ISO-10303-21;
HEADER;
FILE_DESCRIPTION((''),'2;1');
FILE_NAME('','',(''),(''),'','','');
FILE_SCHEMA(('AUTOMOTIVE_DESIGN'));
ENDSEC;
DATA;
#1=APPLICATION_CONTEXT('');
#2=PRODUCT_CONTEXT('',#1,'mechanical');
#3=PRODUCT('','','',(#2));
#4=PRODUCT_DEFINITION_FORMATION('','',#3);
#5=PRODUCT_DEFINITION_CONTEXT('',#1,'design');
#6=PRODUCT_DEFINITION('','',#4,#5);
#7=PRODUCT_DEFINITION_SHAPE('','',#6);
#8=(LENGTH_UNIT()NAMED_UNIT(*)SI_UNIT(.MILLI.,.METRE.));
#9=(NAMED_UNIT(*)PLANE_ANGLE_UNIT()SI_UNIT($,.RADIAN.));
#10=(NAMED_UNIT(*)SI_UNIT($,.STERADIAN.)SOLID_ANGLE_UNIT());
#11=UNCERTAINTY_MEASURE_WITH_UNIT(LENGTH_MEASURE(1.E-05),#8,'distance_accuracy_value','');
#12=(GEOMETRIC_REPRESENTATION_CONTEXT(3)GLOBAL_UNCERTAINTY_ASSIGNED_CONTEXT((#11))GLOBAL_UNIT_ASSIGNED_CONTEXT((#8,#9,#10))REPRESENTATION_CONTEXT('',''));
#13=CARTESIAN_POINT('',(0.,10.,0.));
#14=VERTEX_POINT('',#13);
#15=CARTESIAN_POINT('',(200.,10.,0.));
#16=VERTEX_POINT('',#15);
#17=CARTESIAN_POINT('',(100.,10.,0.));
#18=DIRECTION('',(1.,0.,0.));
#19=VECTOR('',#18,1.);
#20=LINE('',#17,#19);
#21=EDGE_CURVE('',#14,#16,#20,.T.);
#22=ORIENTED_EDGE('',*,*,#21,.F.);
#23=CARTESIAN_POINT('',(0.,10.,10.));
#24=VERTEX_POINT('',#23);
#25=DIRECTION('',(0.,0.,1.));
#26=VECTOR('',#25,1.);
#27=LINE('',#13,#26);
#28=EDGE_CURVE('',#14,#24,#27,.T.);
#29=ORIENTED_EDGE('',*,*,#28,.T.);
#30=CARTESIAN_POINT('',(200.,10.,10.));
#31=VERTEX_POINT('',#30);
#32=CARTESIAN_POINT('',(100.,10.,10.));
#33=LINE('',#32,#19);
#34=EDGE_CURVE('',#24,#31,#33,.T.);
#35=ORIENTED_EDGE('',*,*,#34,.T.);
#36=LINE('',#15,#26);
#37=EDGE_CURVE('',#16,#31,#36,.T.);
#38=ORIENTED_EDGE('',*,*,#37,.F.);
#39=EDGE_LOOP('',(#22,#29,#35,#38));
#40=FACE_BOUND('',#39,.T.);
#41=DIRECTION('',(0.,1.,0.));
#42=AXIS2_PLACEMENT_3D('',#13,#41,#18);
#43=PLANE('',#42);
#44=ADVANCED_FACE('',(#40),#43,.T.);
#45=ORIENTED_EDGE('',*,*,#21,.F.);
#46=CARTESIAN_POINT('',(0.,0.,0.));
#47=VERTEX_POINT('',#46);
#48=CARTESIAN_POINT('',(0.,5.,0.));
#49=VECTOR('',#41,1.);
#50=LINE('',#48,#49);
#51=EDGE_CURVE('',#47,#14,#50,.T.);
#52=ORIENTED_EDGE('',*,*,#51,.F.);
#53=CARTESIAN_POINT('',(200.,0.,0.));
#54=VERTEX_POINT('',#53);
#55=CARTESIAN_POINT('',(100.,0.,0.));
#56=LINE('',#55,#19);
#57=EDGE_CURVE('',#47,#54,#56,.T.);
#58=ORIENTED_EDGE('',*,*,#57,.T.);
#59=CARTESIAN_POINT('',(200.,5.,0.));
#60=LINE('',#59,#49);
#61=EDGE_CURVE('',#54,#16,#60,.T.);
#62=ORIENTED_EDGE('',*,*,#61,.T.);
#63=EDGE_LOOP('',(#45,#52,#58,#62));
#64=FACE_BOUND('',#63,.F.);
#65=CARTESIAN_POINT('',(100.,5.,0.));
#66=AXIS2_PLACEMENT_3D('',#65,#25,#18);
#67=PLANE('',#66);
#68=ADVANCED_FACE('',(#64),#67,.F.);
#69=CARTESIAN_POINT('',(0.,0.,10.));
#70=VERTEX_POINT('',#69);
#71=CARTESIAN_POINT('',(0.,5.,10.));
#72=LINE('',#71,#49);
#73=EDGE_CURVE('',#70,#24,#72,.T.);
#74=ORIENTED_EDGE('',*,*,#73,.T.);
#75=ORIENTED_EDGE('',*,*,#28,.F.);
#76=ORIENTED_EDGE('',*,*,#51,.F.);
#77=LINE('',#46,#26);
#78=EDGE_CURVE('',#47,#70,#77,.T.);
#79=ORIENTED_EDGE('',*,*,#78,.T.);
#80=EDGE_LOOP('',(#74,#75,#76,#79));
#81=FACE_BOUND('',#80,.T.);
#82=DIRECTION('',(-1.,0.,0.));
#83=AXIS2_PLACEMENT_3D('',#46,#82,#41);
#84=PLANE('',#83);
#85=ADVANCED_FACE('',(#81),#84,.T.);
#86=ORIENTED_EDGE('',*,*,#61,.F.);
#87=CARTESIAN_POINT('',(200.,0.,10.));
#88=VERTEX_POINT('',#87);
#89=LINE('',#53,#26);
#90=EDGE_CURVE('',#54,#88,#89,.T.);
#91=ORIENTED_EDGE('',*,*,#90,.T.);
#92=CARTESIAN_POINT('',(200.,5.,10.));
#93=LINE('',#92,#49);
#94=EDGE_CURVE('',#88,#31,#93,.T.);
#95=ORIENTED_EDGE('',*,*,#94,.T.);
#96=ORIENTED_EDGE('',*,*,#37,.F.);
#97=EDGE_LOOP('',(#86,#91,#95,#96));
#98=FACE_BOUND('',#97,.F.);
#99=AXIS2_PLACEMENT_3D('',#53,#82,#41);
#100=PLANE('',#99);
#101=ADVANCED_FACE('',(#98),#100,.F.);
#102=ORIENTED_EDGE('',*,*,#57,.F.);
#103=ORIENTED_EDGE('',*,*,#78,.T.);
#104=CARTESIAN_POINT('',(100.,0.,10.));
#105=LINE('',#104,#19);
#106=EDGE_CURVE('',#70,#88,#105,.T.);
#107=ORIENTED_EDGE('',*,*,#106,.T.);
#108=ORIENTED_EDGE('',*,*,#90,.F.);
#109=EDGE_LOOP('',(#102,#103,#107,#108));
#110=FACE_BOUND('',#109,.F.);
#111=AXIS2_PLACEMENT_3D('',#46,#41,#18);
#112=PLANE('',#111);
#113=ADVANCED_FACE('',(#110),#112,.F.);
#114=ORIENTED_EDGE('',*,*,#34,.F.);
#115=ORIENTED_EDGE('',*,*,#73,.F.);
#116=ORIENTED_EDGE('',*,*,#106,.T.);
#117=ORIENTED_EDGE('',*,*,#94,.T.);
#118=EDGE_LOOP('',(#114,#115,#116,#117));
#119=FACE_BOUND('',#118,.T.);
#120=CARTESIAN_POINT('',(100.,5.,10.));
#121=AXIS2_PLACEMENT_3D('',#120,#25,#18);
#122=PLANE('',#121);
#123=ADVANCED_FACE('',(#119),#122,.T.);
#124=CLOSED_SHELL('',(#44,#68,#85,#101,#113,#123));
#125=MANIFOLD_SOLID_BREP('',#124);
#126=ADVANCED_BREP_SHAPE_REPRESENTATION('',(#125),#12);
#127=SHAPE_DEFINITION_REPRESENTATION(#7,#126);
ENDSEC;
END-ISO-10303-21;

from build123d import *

# Parameters (mm, degrees)
SKETCH1_W           = 200
SKETCH1_H           = 10
BOSS_EXTRUDE1_DEPTH = 10


with BuildPart() as part:
    # Sketch1 → Boss-Extrude1 (new body)
    with BuildSketch(Plane.XY):
        with Locations((100, 5)):
            Rectangle(SKETCH1_W, SKETCH1_H)
    extrude(amount=BOSS_EXTRUDE1_DEPTH)


solid = part.part
